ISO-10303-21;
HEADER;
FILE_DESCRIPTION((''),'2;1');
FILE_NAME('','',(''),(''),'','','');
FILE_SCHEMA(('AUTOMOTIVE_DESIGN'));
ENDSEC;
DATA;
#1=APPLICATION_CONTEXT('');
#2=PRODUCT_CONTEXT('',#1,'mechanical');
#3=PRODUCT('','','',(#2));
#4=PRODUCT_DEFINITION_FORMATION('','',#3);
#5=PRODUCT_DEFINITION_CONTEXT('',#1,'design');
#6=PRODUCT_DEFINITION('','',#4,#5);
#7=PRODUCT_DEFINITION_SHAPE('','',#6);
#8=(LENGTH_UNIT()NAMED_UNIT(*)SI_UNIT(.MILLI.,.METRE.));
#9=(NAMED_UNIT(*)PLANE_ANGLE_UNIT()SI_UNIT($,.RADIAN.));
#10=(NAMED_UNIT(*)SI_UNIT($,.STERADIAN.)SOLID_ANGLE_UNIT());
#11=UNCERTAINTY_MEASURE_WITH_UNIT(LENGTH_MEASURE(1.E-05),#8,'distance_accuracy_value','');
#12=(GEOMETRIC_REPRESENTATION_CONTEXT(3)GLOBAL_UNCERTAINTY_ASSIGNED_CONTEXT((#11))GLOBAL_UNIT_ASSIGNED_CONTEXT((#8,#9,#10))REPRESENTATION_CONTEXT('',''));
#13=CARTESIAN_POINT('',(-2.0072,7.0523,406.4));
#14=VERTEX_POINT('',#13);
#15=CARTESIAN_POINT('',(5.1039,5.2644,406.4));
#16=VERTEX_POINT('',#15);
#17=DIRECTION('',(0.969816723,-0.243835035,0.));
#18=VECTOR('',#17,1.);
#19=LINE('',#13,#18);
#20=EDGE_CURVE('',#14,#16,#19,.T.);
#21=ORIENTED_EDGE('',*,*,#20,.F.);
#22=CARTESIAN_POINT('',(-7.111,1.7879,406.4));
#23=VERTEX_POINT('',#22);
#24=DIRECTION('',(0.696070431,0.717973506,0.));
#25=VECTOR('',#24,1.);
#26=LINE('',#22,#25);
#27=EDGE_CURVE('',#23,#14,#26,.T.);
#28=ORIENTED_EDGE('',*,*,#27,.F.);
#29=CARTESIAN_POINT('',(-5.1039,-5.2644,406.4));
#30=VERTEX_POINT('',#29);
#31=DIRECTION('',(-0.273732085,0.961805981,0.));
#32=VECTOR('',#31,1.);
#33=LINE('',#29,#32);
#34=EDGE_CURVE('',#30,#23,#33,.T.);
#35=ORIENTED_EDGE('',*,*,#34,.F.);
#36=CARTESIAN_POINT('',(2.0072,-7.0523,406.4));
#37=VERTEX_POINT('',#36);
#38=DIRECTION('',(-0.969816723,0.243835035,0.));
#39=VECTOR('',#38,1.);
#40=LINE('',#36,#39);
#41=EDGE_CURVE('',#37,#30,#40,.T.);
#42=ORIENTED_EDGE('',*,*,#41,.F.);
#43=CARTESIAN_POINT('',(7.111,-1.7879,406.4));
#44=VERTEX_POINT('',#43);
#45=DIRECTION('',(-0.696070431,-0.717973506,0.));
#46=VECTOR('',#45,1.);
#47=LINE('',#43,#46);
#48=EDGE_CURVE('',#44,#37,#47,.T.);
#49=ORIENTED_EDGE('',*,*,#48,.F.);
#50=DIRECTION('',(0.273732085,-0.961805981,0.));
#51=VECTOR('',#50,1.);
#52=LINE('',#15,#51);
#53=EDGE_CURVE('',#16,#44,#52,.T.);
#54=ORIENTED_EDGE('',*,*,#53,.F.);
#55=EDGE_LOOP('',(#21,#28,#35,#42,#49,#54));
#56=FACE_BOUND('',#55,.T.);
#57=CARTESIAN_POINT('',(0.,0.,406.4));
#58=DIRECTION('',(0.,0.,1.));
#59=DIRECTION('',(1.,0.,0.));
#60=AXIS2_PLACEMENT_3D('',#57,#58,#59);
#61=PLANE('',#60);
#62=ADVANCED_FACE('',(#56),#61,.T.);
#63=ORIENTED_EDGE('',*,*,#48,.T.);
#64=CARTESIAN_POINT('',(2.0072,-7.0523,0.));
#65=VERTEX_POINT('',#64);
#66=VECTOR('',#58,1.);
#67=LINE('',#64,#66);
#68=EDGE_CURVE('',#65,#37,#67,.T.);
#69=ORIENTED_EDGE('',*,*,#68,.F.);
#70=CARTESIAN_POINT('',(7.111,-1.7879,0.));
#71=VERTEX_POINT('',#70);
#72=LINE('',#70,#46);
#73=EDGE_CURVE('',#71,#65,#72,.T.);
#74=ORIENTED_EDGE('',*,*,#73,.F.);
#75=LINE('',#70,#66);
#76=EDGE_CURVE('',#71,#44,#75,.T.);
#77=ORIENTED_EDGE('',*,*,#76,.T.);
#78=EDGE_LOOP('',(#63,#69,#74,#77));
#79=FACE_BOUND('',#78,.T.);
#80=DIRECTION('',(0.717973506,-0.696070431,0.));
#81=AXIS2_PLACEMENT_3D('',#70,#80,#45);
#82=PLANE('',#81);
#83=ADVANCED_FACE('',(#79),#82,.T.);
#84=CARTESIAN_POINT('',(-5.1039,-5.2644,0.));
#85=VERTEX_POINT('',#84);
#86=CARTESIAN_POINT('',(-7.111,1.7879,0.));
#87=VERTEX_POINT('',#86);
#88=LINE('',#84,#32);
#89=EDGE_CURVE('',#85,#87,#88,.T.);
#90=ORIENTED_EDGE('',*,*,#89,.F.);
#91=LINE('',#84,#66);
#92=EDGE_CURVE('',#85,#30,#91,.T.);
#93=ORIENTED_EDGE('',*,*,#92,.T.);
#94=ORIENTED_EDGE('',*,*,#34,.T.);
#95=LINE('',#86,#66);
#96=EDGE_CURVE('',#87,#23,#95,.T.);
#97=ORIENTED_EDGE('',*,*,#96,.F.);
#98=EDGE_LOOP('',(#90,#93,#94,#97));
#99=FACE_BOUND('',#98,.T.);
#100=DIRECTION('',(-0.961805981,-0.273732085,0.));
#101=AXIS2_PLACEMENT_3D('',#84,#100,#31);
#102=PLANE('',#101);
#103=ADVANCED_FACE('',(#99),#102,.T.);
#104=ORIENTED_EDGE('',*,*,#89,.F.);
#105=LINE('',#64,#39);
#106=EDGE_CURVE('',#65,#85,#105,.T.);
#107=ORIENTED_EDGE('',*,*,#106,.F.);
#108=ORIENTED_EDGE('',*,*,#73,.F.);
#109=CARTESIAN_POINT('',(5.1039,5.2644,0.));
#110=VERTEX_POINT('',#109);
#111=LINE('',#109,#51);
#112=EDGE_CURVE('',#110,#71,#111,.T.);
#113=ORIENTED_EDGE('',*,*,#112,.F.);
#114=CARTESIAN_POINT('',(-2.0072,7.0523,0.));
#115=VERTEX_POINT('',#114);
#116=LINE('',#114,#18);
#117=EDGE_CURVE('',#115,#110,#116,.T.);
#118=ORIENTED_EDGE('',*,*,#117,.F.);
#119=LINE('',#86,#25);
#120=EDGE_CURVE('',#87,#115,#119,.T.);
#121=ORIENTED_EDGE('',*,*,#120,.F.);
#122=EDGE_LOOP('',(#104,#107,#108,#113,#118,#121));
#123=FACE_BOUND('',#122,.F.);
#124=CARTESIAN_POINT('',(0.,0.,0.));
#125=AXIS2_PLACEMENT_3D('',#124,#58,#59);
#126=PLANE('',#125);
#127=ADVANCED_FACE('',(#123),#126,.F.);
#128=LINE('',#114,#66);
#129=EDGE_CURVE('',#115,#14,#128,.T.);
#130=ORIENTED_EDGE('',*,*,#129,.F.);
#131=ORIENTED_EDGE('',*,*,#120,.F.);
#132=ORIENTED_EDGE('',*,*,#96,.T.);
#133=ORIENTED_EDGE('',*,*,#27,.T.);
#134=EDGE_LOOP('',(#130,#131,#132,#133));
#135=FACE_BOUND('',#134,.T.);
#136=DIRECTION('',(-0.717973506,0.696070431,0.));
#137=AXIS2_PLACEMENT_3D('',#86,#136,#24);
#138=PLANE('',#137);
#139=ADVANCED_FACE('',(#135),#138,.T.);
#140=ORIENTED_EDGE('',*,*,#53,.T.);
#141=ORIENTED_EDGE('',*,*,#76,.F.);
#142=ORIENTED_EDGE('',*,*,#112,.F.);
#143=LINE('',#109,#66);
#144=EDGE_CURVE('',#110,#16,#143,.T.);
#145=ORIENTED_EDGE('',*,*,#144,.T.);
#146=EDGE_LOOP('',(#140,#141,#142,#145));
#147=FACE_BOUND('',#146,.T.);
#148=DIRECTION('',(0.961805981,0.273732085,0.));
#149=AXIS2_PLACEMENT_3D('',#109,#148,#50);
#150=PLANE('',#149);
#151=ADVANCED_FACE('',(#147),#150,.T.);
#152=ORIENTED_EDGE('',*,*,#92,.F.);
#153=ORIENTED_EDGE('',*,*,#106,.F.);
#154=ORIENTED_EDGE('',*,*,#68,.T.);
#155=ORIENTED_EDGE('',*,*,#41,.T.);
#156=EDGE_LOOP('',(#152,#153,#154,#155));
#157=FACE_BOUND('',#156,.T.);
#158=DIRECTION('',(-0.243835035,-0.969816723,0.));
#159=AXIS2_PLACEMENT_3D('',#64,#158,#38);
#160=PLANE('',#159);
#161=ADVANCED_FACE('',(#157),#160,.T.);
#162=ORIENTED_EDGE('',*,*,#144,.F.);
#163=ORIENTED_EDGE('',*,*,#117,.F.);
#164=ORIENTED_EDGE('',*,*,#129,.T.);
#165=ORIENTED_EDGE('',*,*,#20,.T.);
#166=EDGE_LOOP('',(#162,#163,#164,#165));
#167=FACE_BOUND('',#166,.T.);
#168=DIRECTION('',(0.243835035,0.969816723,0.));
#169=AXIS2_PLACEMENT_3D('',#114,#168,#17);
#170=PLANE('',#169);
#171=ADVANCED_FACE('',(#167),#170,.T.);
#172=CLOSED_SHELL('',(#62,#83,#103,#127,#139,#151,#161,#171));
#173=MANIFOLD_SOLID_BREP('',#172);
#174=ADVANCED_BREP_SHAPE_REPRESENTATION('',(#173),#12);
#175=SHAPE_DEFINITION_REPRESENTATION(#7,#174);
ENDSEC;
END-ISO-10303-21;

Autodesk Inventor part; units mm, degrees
ref_plane "YZ Plane" through (0, 0, 0) normal (1, 0, 0) x (0, 1, 0)
ref_plane "XZ Plane" through (0, 0, 0) normal (0, 1, 0) x (-1, 0, 0)
ref_plane "XY Plane" through (0, 0, 0) normal (0, 0, 1) x (1, 0, 0)
sketch "Sketch1" plane through (0, 0, 0) normal (0, 0, 1) x (1, 0, 0)
  line L0 (7.111, -1.7879) -> (2.0072, -7.0523)
  line L1 (2.0072, -7.0523) -> (-5.1039, -5.2644)
  line L2 (-5.1039, -5.2644) -> (-7.111, 1.7879)
  line L3 (-7.111, 1.7879) -> (-2.0072, 7.0523)
  line L4 (-2.0072, 7.0523) -> (5.1039, 5.2644)
  line L5 (5.1039, 5.2644) -> (7.111, -1.7879)
  point P0 (0, 0)
  point P1 (0, 0)
  point P2 (0, 0)
  dimension "d3" = 12.7
extrude "Extrusion1" add sketch "Sketch1" along normal blind 406.4
properties part number "hex shaft 1"
